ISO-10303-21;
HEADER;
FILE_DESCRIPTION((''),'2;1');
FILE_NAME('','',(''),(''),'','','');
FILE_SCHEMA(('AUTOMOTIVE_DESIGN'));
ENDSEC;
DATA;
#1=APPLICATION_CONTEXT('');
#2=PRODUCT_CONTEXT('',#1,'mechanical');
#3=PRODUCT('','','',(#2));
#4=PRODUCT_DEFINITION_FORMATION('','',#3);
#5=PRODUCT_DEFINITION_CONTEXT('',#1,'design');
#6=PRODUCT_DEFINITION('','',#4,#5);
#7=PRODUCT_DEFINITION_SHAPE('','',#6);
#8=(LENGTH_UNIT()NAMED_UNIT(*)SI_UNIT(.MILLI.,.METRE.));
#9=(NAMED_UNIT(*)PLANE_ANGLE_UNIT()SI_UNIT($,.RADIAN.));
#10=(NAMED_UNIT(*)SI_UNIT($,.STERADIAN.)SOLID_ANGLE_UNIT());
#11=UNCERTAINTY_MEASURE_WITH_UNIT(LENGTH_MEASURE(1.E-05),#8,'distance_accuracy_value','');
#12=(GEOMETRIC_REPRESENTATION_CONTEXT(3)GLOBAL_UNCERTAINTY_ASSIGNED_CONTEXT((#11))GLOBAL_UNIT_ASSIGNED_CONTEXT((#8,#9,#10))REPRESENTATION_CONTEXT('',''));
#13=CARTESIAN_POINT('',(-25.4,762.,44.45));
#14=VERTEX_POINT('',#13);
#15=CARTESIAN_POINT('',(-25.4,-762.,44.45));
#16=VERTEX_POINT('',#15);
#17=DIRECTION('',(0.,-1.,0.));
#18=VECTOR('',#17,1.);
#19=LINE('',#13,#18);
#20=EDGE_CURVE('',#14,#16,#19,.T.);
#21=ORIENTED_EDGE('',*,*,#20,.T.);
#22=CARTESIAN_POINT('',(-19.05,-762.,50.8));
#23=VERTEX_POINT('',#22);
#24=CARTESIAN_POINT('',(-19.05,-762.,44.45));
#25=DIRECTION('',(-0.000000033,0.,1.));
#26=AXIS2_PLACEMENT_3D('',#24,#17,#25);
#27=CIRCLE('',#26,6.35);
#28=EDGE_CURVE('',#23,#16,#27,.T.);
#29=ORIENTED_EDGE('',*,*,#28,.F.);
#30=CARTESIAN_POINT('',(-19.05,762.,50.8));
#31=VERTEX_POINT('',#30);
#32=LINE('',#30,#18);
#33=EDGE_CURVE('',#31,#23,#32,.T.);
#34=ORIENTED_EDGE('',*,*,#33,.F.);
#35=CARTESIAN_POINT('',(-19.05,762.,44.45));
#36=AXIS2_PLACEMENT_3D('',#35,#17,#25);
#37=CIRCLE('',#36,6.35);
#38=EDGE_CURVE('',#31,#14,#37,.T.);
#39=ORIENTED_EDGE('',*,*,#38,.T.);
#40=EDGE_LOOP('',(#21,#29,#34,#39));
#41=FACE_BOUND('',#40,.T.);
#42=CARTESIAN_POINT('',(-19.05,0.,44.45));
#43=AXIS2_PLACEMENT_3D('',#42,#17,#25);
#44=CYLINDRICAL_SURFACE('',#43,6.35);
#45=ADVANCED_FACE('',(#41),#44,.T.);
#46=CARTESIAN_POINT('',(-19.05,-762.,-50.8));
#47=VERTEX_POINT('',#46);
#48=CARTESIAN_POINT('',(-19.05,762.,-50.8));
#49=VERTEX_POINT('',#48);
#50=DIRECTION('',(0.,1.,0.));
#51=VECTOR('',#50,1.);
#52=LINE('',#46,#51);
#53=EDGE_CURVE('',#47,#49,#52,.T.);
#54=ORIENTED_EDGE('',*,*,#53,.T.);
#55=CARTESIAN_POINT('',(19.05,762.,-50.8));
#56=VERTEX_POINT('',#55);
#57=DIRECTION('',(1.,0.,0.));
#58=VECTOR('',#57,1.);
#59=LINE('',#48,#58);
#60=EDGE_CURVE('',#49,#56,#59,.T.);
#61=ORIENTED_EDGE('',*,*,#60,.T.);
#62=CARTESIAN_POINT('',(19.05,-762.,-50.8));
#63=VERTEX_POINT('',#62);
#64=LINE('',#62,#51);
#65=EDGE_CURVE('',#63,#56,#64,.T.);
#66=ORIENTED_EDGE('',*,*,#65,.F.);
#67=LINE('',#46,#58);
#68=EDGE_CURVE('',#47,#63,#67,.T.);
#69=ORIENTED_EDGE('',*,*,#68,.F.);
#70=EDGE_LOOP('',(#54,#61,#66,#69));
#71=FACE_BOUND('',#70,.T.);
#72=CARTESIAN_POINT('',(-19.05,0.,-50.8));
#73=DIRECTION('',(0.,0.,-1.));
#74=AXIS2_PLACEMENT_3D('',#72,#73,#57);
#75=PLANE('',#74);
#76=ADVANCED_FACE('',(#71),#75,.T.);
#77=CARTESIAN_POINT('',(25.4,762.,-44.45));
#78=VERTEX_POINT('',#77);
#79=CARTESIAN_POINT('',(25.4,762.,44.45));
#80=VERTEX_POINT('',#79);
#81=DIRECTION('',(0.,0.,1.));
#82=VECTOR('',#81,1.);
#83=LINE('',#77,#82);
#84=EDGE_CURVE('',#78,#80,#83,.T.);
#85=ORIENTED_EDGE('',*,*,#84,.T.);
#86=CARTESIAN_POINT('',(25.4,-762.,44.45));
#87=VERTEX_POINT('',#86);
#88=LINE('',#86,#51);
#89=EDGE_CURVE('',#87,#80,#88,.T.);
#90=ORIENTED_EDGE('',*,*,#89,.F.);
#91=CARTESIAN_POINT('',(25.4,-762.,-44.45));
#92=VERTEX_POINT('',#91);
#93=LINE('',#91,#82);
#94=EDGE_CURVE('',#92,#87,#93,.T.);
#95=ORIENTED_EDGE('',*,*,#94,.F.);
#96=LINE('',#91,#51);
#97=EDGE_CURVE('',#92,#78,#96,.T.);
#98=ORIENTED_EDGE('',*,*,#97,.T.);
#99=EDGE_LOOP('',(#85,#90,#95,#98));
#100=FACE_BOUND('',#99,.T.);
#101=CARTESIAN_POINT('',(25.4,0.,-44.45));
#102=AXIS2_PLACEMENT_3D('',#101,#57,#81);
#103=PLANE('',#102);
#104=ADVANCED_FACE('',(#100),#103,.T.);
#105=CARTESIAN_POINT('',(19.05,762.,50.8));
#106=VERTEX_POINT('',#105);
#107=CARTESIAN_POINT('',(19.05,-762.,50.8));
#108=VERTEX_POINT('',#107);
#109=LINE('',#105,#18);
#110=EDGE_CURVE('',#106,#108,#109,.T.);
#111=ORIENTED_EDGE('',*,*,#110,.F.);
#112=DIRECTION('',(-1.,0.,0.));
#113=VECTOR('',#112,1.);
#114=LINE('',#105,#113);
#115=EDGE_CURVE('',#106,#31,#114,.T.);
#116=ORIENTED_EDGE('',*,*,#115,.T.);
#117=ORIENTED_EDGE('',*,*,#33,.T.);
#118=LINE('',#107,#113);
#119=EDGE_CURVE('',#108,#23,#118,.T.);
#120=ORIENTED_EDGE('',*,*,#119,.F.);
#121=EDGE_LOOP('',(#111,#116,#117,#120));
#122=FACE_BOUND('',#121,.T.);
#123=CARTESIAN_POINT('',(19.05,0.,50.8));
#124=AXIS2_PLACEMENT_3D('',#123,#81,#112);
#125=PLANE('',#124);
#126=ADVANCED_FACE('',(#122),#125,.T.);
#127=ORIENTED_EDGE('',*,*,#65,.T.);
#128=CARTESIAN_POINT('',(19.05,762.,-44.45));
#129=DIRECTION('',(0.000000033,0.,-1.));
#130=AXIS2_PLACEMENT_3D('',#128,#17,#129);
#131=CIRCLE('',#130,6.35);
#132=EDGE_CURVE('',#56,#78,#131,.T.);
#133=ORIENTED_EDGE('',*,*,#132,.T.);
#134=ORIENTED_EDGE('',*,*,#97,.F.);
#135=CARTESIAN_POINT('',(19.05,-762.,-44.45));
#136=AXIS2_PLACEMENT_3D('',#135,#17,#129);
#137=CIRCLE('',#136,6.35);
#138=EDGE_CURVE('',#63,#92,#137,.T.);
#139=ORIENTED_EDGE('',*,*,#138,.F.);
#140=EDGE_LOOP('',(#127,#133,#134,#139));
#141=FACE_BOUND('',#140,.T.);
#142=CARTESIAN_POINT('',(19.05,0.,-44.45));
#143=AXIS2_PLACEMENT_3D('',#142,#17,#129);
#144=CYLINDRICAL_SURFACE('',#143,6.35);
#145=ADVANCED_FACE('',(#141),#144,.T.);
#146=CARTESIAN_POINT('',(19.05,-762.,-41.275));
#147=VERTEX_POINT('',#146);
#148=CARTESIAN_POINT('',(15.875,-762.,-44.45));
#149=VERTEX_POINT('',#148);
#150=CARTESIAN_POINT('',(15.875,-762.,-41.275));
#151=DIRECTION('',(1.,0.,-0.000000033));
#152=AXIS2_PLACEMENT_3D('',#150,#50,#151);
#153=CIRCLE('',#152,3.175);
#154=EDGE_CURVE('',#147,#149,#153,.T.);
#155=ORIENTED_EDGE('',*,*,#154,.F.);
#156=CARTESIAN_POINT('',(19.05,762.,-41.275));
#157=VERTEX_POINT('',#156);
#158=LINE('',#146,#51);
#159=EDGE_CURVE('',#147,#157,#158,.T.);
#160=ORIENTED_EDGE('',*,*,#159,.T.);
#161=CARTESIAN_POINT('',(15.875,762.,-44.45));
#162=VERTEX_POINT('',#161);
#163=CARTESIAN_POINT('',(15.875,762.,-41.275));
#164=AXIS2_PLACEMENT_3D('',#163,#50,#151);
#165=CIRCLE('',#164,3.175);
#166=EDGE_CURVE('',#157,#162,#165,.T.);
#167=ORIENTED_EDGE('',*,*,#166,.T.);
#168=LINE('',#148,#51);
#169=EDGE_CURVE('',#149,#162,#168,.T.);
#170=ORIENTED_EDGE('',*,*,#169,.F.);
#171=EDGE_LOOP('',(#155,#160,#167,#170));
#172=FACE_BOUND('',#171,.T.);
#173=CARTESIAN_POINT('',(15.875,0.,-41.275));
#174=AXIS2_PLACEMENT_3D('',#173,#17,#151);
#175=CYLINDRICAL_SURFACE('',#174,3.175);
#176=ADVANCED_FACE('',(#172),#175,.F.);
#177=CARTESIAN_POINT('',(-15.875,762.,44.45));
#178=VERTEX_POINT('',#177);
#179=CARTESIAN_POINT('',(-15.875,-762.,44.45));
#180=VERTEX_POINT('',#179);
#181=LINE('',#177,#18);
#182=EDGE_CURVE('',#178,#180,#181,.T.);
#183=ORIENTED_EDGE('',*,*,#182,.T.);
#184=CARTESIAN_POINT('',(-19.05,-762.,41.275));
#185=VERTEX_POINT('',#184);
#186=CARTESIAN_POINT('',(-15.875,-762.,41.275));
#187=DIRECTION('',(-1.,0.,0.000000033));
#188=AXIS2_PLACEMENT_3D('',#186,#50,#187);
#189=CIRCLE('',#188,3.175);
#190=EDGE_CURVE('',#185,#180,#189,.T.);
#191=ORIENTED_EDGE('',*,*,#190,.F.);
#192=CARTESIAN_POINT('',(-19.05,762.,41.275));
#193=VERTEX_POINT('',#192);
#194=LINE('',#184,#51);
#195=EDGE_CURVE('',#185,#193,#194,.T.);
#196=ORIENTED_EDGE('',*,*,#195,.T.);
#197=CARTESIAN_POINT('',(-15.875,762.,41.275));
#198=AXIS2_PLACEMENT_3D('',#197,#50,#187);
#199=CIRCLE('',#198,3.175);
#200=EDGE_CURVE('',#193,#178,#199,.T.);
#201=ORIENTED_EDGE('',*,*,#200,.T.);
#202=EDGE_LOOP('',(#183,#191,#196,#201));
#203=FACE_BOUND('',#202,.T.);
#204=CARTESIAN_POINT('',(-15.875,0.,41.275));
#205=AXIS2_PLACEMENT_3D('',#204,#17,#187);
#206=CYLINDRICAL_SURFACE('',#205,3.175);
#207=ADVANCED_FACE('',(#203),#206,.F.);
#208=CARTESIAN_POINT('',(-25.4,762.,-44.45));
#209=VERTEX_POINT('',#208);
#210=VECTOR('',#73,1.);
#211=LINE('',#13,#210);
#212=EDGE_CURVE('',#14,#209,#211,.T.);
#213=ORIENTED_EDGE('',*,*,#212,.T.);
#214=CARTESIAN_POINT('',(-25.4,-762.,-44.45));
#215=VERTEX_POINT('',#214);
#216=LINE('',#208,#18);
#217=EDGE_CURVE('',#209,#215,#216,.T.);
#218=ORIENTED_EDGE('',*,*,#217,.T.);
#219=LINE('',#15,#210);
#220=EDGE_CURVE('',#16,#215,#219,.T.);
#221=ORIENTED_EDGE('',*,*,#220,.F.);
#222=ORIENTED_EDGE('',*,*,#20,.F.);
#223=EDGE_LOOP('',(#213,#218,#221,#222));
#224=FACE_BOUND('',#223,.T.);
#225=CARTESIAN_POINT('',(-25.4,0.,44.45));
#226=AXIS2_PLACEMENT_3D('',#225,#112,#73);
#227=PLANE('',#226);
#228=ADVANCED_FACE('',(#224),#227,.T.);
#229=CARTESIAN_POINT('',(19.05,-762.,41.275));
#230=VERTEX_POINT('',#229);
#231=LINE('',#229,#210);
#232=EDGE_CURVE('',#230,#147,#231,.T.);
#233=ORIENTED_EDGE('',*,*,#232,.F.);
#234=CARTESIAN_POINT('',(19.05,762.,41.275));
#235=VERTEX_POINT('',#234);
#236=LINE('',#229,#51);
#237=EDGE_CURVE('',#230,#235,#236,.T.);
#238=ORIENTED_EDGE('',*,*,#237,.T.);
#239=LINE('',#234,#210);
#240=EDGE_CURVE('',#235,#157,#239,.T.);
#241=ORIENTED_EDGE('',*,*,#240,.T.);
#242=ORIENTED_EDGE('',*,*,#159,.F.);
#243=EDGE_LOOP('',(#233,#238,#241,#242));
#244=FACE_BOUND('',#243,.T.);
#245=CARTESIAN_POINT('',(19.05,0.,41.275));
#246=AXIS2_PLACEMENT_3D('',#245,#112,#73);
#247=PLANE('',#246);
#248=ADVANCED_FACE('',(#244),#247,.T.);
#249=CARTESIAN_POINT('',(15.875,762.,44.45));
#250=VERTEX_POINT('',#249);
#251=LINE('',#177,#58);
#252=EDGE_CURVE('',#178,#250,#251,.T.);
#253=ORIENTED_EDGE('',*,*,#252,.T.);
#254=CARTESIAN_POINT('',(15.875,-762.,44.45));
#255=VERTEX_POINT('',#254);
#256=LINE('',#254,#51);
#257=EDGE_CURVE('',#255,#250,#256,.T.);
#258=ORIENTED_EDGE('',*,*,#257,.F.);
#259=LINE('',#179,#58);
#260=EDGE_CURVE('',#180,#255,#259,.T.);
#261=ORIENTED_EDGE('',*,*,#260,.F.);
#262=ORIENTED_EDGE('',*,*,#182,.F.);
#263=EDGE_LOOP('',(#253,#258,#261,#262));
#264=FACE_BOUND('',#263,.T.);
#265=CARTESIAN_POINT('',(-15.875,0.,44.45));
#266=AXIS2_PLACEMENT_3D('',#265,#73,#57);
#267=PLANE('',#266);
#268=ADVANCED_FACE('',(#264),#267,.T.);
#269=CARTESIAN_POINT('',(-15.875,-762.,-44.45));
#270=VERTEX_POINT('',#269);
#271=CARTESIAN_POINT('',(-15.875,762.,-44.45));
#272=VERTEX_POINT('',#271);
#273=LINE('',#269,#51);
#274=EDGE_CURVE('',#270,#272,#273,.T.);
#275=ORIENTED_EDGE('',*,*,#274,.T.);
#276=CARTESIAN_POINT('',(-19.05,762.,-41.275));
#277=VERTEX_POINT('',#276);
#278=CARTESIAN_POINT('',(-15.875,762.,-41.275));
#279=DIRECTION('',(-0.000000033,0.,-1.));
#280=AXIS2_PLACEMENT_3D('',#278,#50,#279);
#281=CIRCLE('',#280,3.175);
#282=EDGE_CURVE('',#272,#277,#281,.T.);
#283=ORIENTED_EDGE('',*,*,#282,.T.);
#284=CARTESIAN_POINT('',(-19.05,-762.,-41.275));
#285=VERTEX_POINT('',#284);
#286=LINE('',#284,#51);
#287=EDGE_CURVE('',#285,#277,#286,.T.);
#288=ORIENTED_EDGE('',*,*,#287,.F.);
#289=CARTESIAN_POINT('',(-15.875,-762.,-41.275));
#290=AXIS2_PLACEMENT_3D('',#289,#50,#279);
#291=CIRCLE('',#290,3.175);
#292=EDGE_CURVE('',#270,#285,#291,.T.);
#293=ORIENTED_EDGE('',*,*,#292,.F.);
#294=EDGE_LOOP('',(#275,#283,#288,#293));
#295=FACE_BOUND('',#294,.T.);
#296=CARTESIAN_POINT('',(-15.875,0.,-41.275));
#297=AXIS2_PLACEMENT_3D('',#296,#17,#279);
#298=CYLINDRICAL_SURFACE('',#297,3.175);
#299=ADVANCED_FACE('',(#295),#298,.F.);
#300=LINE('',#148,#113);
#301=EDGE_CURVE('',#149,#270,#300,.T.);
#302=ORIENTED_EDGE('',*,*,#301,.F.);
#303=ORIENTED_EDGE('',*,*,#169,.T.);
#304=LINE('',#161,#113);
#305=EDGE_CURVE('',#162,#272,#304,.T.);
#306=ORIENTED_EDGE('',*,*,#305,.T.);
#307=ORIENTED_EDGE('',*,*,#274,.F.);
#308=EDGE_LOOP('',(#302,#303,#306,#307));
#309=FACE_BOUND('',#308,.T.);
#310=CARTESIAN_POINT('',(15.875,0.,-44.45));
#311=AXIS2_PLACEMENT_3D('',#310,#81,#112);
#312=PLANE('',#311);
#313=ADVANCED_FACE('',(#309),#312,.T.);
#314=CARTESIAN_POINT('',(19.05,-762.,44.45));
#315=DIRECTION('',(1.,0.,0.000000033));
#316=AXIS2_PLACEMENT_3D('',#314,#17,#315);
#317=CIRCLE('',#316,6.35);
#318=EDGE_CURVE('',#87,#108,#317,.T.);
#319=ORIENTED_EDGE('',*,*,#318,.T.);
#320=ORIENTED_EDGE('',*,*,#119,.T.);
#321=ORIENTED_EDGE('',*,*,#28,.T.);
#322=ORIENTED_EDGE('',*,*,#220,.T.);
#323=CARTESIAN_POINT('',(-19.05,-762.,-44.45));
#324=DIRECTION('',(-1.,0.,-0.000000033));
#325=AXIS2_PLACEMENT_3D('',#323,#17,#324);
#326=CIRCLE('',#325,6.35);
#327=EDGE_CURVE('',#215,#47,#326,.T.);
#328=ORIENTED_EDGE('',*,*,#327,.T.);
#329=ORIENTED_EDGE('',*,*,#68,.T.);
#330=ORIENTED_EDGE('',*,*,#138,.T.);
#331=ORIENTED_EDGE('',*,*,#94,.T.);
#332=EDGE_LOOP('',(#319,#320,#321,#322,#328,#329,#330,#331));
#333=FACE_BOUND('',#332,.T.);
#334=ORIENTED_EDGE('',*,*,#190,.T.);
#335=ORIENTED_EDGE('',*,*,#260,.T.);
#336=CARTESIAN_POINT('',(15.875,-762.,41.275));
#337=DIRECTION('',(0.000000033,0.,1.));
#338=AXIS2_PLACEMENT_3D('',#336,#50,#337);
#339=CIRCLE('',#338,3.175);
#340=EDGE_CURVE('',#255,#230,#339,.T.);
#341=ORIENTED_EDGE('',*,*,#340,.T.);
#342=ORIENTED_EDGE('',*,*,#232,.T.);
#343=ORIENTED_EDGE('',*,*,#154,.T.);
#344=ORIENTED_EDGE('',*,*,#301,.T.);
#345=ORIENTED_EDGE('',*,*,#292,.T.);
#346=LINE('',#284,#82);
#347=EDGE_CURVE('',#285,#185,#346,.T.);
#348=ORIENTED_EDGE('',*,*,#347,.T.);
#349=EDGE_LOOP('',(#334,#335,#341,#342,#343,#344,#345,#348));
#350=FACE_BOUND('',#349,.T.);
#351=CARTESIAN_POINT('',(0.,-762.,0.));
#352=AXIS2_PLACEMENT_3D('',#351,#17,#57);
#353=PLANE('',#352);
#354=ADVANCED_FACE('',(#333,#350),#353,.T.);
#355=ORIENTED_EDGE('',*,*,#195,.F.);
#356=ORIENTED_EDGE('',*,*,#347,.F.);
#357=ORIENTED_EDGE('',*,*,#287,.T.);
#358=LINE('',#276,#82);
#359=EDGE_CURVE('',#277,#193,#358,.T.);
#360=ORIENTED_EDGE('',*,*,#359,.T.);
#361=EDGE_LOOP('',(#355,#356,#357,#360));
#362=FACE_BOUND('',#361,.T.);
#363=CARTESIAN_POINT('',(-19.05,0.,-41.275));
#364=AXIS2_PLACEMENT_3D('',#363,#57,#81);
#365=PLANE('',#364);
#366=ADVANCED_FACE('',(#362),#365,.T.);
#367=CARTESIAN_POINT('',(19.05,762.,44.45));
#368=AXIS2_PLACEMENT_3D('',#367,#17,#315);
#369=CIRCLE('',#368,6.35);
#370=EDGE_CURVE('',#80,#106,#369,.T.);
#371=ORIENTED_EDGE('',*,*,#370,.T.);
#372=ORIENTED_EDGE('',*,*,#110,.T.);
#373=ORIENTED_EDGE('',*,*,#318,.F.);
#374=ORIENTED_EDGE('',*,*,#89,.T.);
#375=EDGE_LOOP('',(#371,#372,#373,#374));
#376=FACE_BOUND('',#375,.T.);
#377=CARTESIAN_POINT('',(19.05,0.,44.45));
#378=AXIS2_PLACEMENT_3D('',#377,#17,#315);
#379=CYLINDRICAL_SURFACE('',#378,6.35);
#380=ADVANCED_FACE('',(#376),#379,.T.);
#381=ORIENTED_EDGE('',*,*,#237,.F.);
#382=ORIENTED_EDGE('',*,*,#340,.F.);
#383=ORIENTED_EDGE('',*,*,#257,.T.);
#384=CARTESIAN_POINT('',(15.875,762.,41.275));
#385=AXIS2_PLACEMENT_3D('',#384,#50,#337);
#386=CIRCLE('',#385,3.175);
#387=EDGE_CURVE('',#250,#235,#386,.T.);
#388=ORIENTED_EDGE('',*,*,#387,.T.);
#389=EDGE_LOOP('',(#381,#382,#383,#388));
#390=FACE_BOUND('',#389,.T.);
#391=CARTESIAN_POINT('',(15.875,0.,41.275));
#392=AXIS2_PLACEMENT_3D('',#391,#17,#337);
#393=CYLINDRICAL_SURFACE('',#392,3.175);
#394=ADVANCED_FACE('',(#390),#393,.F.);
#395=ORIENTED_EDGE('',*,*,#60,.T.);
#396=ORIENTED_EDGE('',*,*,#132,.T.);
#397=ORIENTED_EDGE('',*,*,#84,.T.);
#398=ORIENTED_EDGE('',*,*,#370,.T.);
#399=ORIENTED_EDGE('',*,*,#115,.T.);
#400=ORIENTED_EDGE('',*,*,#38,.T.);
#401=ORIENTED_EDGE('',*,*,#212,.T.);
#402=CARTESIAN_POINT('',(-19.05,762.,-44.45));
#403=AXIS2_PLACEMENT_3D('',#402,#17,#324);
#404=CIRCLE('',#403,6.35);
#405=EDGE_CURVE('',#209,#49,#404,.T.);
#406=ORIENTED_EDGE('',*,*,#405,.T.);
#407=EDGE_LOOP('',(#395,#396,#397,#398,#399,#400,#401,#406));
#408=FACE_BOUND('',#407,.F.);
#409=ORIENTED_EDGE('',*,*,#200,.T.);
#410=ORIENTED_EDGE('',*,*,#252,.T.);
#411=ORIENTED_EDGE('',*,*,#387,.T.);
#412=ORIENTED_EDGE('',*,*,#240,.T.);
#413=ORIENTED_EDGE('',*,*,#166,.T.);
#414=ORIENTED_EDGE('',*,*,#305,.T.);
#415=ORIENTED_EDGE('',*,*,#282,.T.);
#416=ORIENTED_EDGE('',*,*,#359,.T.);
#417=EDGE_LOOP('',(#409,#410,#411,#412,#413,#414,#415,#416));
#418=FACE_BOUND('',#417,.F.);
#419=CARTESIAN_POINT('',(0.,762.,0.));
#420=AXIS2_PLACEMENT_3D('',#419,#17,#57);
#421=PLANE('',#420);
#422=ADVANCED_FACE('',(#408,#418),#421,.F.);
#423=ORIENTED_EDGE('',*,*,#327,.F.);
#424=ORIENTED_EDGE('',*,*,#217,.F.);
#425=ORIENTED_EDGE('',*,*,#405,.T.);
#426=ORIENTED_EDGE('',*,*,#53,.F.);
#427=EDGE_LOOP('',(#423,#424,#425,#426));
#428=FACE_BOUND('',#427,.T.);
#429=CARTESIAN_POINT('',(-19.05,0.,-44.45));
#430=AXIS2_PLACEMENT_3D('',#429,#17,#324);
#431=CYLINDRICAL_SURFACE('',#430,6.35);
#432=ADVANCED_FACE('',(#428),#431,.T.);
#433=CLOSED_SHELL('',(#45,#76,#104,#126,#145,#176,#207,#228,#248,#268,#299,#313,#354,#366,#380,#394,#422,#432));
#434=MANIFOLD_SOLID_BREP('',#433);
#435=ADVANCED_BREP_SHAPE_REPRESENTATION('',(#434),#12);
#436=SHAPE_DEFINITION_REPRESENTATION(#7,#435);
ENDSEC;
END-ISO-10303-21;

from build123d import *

# Parameters (mm, degrees)
F1_DEPTH = 762


with BuildPart() as f1:
    # F0 (on Front) → F1 (new body, symmetric)
    with BuildSketch(Plane.XZ):
        with BuildLine():
            ThreePointArc((25.4, 44.45), (23.540128, 48.940128), (19.05, 50.8))
            Line((19.05, 50.8), (-19.05, 50.8))
            ThreePointArc((-19.05, 50.8), (-23.540128, 48.940128), (-25.4, 44.45))
            Line((-25.4, 44.45), (-25.4, -44.45))
            ThreePointArc((-25.4, -44.45), (-23.540128, -48.940128), (-19.05, -50.8))
            Line((-19.05, -50.8), (19.05, -50.8))
            ThreePointArc((19.05, -50.8), (23.540128, -48.940128), (25.4, -44.45))
            Line((25.4, -44.45), (25.4, 44.45))
        make_face()
        with BuildLine():
            Line((-15.875, 44.45), (15.875, 44.45))
            ThreePointArc((15.875, 44.45), (18.120064, 43.520064), (19.05, 41.275))
            Line((19.05, 41.275), (19.05, -41.275))
            ThreePointArc((19.05, -41.275), (18.120064, -43.520064), (15.875, -44.45))
            Line((15.875, -44.45), (-15.875, -44.45))
            ThreePointArc((-15.875, -44.45), (-18.120064, -43.520064), (-19.05, -41.275))
            Line((-19.05, -41.275), (-19.05, 41.275))
            ThreePointArc((-19.05, 41.275), (-18.120064, 43.520064), (-15.875, 44.45))
        make_face(mode=Mode.SUBTRACT)
    extrude(amount=F1_DEPTH, both=True)


solid = f1.part
